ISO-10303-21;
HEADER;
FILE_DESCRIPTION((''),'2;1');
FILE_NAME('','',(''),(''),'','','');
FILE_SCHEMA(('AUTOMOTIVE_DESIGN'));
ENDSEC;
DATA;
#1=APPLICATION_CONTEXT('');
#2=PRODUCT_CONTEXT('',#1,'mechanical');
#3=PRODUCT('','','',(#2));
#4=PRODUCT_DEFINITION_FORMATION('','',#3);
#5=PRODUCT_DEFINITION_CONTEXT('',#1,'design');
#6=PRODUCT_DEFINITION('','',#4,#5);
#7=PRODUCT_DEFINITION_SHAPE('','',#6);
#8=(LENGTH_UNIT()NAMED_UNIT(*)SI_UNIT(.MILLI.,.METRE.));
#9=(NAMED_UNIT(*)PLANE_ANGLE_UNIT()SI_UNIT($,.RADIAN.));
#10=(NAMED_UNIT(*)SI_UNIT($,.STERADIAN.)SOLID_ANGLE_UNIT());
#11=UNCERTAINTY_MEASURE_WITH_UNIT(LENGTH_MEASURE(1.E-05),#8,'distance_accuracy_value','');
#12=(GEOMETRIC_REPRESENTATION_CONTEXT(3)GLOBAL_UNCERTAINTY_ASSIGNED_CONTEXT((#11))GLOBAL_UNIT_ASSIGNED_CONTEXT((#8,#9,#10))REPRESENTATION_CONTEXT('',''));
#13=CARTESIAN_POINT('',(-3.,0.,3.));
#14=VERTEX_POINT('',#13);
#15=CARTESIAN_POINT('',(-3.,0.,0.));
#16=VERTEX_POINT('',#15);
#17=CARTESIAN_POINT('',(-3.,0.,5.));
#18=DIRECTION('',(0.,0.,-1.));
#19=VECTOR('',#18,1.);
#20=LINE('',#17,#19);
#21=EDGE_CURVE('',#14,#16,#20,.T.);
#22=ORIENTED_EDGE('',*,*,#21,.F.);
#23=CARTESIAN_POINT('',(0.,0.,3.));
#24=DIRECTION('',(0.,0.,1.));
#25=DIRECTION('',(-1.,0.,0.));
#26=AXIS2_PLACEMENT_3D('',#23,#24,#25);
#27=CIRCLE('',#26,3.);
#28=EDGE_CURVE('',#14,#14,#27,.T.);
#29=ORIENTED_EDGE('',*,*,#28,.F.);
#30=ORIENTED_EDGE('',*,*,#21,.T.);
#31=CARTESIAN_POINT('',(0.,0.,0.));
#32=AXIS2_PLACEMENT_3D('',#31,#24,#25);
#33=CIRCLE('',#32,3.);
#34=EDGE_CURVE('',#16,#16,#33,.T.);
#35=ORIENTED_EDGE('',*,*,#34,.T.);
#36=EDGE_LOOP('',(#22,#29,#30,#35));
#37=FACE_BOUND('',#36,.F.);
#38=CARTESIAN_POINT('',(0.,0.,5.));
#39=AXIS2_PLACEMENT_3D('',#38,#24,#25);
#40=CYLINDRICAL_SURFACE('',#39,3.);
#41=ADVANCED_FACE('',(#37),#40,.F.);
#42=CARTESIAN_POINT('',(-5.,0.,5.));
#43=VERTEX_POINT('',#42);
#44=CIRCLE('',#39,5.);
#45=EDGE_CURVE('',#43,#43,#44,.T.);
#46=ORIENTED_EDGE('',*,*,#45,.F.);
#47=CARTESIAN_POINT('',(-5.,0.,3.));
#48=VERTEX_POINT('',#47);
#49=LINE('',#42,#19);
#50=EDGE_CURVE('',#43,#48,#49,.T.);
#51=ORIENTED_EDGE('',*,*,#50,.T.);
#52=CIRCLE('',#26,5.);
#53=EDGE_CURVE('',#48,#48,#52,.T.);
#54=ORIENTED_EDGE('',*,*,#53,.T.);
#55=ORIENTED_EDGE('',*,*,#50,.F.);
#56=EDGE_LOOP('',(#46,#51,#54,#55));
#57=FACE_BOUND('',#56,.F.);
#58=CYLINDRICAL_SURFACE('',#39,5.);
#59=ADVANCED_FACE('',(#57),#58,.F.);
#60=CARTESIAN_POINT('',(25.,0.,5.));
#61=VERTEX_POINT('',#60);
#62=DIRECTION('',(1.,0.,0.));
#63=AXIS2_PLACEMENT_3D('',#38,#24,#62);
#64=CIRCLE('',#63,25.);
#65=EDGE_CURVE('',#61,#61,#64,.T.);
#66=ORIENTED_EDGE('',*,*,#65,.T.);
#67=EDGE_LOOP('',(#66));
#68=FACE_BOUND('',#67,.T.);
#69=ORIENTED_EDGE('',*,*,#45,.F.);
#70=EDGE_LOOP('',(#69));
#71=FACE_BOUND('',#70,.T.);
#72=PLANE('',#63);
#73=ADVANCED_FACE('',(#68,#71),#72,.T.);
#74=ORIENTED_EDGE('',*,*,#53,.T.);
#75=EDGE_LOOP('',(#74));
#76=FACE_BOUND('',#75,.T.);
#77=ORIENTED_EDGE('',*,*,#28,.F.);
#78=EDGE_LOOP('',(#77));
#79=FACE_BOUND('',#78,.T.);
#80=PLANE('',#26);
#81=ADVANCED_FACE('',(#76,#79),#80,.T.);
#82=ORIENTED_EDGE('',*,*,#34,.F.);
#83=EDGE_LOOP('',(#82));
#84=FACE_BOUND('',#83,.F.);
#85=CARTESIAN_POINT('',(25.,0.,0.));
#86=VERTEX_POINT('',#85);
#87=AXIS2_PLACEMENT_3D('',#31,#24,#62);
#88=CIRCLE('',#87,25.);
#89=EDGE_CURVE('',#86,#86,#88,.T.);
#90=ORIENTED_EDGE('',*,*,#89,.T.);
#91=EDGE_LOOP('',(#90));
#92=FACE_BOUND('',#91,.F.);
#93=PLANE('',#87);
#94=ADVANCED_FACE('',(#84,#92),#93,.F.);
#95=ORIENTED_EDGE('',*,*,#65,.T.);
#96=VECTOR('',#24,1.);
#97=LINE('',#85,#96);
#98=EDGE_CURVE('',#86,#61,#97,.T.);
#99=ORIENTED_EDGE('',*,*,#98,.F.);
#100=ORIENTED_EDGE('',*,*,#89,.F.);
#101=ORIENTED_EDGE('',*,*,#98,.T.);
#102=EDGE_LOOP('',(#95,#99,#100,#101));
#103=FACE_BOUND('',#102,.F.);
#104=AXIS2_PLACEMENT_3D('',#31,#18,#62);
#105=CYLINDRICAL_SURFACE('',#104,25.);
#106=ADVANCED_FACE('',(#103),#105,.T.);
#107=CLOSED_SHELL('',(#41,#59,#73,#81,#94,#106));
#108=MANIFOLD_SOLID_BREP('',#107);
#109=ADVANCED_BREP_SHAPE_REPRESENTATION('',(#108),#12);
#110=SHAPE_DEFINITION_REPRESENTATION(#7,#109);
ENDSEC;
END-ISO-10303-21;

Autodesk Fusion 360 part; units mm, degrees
sketch "Sketch1" plane through (0, 0, 0) normal (0, 0, 1) x (1, 0, 0)
  circle A0 centre (0, 0) radius 25
  dimension "d1" = 50
extrude "Extrude1" add sketch "Sketch1" along normal blind 5
sketch "Sketch2" plane through (0, 0, 5) normal (0, 0, 1) x (-1, 0, 0)
  circle A0 centre (0, 0) radius 25
  circle A1 centre (0, 0) radius 5
  dimension "d4" = 10
extrude "Extrude3" cut sketch "Sketch2" against normal blind 2 contours A1
sketch "Sketch3" plane through (0, 0, 5) normal (0, 0, 1) x (-1, 0, 0)
  circle A0 centre (0, 0) radius 3
  dimension "d9" = 6
extrude "Extrude4" cut sketch "Sketch3" against normal blind 5
